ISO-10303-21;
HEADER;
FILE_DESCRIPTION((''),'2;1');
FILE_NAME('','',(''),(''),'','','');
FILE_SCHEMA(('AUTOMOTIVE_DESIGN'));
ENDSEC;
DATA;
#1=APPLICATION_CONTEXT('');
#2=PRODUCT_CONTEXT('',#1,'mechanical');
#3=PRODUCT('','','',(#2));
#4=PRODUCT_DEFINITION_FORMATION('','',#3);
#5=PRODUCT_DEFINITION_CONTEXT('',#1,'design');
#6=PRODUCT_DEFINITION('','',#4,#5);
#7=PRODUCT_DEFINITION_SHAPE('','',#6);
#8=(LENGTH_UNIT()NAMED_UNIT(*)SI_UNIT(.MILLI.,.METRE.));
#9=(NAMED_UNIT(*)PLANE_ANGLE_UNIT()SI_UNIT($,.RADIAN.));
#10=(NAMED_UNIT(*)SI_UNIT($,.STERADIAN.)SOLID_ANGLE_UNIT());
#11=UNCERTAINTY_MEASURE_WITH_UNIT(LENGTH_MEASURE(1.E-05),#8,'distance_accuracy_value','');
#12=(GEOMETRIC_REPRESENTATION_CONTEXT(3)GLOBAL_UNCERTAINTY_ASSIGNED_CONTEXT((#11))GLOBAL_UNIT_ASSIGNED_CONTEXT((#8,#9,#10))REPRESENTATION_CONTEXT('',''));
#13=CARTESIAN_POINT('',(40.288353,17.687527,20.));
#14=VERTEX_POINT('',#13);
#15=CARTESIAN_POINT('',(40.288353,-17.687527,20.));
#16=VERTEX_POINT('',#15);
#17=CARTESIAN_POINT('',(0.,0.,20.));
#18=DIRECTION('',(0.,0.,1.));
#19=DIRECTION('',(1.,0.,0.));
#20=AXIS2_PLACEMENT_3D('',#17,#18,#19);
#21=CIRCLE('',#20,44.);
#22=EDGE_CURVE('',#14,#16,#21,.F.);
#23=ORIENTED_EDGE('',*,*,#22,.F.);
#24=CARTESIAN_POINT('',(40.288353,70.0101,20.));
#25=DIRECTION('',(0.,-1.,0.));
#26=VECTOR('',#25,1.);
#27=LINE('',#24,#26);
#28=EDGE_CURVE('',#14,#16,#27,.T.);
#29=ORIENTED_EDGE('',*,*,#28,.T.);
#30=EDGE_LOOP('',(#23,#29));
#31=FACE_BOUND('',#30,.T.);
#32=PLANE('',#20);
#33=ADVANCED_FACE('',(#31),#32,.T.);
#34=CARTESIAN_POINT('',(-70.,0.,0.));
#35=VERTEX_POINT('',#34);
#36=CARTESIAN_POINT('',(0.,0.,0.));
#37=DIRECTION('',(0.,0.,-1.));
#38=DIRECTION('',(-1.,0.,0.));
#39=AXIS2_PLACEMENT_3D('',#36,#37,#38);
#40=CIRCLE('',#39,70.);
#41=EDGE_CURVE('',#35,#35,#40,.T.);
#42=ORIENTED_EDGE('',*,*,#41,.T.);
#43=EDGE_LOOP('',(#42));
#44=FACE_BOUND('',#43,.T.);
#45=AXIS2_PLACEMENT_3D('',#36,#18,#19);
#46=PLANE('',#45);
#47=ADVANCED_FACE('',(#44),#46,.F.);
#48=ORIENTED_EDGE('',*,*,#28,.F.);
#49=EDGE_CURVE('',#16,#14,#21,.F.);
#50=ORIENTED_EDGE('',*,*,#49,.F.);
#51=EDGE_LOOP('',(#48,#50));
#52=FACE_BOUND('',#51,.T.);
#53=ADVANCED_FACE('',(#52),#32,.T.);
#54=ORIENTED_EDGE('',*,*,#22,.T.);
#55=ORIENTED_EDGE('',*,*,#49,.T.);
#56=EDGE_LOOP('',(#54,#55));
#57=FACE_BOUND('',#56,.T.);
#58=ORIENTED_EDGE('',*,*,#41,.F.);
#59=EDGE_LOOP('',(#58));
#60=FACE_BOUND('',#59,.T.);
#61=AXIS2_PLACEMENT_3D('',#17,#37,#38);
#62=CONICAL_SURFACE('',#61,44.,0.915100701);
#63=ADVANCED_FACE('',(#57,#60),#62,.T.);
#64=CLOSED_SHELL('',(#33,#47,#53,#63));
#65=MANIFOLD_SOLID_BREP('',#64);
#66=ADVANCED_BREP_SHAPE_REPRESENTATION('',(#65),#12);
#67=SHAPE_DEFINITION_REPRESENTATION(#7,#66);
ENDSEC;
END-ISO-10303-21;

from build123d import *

# Parameters (mm, degrees)
SKETCH_1_R      = 44
EXTRUDE_1_DEPTH = 20
SKETCH_4_R      = 70


with BuildPart() as part:
    # 草图1 → 凸台-拉伸1 (new body)
    with BuildSketch(Plane.XY):
        Circle(SKETCH_1_R)
    extrude(amount=EXTRUDE_1_DEPTH)

    # 草图4 → section 1 of loft_3
    with BuildSketch(Plane(origin=(0, 0, 0), x_dir=(-1, 0, 0), z_dir=(0, 0, -1)), mode=Mode.PRIVATE) as loft_3_s1:
        Circle(SKETCH_4_R)
    # loft up to a face of the part (loft_3)
    loft([Face(Wire([part.edges().sort_by_distance((-30.120072661, 32.074619607, 20))[0]])), loft_3_s1.sketch])


solid = part.part
